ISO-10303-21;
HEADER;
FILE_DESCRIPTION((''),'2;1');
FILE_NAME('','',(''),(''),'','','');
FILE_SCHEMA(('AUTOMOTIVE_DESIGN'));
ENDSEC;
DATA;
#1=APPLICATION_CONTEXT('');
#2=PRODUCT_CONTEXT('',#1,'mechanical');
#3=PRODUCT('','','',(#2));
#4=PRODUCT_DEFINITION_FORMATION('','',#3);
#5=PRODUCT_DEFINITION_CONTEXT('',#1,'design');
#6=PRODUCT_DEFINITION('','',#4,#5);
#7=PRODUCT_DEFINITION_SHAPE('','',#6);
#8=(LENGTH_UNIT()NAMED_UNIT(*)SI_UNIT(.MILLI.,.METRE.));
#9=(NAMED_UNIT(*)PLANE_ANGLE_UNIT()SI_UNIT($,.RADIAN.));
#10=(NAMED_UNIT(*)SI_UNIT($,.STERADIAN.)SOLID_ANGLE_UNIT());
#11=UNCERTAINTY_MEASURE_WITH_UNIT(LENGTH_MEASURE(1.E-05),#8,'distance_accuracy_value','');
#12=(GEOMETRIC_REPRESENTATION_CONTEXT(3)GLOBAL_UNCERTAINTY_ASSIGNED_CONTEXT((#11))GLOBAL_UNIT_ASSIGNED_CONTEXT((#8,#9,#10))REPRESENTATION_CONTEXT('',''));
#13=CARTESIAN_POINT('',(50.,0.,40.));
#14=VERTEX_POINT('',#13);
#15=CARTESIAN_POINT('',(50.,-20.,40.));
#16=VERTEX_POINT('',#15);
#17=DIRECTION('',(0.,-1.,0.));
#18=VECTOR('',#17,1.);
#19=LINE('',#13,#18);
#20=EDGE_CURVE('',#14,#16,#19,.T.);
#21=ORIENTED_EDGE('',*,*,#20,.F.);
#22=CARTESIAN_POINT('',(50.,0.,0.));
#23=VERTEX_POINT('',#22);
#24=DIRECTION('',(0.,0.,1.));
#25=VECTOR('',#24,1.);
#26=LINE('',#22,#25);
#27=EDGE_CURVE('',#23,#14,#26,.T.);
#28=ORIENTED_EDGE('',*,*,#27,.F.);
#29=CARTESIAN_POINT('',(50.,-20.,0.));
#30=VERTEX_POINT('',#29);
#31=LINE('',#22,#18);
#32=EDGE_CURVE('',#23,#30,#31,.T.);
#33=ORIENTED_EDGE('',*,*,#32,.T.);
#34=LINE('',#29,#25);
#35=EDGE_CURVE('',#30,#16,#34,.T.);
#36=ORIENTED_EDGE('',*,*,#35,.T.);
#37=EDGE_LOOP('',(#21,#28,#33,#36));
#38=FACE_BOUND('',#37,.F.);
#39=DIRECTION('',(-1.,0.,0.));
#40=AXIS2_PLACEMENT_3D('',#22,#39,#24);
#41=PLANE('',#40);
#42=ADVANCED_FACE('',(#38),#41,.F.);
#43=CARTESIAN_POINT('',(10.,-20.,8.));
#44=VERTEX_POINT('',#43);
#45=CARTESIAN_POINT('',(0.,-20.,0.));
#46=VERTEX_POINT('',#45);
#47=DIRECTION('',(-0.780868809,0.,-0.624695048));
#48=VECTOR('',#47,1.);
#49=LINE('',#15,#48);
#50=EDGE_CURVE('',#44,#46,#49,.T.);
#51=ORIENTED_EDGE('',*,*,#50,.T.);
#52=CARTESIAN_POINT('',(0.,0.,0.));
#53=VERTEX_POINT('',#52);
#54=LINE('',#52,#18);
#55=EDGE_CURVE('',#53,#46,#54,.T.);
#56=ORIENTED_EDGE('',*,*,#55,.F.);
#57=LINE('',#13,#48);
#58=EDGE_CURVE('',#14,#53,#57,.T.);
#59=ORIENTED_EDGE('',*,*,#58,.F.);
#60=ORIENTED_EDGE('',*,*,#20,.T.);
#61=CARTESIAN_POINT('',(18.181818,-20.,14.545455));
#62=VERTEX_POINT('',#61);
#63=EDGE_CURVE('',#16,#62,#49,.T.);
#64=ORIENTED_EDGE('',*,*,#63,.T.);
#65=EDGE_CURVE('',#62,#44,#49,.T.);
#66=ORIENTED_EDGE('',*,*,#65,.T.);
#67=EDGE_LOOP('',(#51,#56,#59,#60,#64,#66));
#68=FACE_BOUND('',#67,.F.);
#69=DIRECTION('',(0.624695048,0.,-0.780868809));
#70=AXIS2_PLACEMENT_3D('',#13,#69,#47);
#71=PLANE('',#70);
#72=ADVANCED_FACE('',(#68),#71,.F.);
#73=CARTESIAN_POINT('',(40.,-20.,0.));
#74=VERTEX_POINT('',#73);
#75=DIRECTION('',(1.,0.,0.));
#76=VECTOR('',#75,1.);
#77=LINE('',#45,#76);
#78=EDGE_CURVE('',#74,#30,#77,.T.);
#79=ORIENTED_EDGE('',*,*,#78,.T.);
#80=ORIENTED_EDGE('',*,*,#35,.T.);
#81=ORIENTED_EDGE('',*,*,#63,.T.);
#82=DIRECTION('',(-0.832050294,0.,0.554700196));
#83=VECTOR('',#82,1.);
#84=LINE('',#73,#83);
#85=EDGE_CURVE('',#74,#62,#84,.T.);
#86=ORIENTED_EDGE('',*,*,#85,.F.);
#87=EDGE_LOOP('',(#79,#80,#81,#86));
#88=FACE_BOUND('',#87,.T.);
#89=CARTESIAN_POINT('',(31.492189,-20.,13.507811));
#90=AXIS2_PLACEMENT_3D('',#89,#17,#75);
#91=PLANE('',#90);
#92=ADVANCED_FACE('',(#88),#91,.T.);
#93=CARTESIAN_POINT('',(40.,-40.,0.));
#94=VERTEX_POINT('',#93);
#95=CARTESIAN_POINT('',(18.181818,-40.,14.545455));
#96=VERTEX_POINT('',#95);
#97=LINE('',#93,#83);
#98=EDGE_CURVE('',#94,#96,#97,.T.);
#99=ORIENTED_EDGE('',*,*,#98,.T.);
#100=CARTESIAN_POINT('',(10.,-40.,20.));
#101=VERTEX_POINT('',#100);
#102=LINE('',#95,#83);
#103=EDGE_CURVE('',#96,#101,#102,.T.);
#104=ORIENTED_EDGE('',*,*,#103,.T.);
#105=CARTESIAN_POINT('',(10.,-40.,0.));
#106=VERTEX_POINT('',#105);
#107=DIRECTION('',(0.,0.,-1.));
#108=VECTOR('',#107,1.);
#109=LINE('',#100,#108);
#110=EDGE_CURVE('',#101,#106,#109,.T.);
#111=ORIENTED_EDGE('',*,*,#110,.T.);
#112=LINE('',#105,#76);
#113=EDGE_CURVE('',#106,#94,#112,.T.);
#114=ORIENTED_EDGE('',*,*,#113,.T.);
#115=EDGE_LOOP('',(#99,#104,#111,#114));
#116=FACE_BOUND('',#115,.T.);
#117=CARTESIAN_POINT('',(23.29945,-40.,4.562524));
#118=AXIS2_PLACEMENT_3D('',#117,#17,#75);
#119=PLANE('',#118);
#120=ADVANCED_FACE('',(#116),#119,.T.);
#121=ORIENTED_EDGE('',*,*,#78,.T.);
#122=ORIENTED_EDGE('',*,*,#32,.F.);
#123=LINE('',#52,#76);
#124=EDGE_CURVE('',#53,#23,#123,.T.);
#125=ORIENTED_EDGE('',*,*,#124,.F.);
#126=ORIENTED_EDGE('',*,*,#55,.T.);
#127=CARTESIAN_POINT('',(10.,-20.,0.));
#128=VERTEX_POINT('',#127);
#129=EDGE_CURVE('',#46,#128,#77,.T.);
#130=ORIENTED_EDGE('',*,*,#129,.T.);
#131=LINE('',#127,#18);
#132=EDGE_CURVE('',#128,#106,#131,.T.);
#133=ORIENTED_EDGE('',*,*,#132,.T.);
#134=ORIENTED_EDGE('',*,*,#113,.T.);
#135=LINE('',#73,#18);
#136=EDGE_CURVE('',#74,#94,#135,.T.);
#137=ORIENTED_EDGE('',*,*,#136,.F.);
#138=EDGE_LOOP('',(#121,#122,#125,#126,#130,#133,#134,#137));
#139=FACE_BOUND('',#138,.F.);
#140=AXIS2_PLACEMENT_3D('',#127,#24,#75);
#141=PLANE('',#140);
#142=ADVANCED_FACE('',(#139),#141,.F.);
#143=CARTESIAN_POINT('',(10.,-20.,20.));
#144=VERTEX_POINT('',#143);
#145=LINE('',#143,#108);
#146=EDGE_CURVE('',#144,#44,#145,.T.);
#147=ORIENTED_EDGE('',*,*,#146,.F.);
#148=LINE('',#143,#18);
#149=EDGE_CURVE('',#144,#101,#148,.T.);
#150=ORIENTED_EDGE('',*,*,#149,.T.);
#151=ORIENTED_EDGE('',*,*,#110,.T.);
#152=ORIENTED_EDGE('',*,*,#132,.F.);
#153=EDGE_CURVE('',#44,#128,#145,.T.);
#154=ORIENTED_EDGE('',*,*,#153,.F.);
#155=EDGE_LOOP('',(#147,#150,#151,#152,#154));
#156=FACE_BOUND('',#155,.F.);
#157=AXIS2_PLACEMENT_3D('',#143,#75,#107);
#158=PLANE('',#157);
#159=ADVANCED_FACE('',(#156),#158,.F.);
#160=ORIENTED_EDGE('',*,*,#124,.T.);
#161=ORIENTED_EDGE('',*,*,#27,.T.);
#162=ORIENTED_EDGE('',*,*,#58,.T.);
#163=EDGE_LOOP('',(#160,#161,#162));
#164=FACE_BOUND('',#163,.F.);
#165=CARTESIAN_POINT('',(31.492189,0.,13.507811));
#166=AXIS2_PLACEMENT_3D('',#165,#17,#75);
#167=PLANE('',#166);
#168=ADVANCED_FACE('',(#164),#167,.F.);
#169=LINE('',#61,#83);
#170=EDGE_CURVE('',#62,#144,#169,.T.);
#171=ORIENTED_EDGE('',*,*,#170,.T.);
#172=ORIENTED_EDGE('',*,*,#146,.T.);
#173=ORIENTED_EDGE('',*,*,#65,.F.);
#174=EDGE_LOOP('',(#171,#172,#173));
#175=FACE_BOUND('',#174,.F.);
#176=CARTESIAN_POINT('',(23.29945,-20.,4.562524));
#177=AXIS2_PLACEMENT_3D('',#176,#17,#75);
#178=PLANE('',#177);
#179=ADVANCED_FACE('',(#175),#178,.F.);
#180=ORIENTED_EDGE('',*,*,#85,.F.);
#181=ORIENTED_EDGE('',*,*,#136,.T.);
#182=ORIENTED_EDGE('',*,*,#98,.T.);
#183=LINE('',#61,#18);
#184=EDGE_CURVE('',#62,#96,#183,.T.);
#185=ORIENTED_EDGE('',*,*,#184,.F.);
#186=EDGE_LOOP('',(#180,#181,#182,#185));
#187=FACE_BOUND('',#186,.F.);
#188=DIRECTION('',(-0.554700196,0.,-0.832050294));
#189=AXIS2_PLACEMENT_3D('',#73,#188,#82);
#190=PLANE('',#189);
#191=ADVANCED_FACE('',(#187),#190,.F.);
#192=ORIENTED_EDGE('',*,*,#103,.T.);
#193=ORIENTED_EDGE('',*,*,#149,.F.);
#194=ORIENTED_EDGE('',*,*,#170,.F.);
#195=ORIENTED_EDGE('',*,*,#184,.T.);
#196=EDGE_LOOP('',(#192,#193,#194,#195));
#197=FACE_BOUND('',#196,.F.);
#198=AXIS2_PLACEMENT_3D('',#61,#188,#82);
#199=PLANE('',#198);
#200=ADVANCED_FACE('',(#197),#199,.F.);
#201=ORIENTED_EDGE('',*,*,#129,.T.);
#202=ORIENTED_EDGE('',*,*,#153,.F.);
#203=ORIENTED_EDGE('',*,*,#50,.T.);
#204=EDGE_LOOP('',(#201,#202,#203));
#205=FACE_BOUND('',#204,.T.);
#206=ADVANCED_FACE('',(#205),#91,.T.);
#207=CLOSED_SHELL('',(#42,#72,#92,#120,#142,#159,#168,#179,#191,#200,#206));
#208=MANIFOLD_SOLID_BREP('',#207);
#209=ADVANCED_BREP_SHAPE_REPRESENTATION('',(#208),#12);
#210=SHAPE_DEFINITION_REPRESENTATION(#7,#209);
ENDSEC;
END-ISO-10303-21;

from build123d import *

# Parameters (mm, degrees)
F1_DEPTH = 20
F3_DEPTH = 20


with BuildPart() as f1:
    # F0 (on Front) → F1 (new body)
    with BuildSketch(Plane.XZ):
        Polygon((50, 40), (0, 0), (50, 0), align=None)
    extrude(amount=F1_DEPTH)

    # F2 (on face) → F3 (join)
    with BuildSketch(Plane.XZ.offset(20)):
        Polygon((10, 8), (10, 0), (40, 0), (18.1818181818, 14.5454545455), align=None)
        Polygon((10, 20), (10, 8), (18.1818181818, 14.5454545455), align=None)
    extrude(amount=F3_DEPTH)


solid = f1.part
